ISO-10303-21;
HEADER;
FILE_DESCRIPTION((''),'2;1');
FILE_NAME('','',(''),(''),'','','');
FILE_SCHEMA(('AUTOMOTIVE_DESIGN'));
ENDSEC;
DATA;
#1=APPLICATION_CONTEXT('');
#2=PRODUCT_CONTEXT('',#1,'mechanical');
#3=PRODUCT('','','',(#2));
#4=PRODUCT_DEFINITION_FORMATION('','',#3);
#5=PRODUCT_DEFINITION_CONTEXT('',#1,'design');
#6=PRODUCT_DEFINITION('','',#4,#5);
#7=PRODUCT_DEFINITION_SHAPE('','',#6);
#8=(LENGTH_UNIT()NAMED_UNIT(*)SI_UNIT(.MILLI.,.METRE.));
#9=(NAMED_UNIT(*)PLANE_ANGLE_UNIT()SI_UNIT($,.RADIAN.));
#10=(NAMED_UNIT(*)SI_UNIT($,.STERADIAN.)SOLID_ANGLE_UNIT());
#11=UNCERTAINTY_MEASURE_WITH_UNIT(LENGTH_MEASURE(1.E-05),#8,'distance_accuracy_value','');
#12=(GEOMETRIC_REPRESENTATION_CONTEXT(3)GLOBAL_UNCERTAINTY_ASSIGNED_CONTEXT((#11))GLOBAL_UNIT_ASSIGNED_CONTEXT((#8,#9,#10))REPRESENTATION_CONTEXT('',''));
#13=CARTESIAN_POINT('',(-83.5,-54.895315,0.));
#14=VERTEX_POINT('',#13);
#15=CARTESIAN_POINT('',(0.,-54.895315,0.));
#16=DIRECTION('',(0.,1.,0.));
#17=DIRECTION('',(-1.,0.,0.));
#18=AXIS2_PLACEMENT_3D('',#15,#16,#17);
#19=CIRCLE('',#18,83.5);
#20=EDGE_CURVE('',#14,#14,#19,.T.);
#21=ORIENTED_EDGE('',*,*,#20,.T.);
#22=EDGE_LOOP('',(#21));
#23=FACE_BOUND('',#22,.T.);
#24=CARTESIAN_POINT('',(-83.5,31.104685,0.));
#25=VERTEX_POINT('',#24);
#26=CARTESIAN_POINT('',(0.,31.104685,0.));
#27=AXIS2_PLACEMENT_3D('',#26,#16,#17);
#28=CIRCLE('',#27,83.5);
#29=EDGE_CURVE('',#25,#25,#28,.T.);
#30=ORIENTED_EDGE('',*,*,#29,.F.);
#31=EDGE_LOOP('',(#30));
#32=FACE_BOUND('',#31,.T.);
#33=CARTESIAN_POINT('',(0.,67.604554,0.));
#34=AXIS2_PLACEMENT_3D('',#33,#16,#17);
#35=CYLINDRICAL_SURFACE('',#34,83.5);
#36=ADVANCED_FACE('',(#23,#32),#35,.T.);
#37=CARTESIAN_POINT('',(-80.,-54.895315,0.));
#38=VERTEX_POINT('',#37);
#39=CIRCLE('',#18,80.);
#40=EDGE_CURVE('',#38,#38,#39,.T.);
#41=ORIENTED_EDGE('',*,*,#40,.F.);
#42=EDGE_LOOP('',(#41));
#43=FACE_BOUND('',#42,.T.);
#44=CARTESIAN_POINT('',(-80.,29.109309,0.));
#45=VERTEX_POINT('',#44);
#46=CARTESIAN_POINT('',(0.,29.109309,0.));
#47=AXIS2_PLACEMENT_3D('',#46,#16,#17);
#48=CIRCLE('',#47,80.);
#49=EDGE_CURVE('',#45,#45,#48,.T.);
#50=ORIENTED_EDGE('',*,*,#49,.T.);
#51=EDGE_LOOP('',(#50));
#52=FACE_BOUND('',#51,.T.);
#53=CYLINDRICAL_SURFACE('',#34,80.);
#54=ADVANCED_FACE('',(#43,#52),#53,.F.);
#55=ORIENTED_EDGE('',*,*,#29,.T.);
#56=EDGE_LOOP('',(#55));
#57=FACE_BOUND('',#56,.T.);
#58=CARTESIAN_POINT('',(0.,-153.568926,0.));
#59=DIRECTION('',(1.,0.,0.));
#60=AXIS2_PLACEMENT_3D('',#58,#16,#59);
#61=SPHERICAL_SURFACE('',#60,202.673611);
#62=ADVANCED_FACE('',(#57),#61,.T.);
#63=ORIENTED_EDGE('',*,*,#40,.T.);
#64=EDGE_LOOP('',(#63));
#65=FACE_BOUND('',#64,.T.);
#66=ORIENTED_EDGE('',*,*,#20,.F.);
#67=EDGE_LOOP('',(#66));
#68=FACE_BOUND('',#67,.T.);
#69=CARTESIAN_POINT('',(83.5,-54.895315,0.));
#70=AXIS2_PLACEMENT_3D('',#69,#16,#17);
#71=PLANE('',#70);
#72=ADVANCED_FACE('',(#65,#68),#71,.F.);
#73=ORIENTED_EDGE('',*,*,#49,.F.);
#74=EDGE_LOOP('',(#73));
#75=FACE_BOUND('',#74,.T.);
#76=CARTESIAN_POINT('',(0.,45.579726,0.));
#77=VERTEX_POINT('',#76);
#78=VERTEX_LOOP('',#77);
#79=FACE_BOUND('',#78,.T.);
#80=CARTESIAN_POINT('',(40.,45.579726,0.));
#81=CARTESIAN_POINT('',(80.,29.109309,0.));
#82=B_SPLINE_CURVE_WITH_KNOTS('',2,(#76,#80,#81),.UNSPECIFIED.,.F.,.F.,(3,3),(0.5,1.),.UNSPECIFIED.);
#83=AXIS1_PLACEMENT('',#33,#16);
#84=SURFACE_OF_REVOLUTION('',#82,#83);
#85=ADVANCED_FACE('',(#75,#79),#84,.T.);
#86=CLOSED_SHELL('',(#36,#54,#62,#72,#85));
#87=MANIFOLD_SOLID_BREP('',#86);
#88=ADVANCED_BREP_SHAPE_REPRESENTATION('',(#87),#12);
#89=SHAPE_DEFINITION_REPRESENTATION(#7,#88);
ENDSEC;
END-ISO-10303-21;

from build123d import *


with BuildPart() as part:
    # Sketch2 → Revolve2 (revolve)
    with BuildSketch(Plane.XY, mode=Mode.PRIVATE) as revolve2_sk:
        with BuildLine():
            Line((83.5, -54.895315199), (83.5, 31.104684801))
            ThreePointArc((83.5, 31.104684801), (42.70904471, 44.553586648), (0, 49.104684801))
            Line((0, 49.104684801), (0, 49.079725779))
            Line((0, 49.079725779), (0, 45.579725779))
            add(Edge.make_bspline(
                [(0, 45.579725779), (40, 45.579725779), (80, 29.109308571)],
                knots=[0.5, 0.5, 0.5, 1, 1, 1], degree=2))
            Line((80, 29.109308571), (80, -54.895315199))
            Line((80, -54.895315199), (83.5, -54.895315199))
        make_face()
    revolve(revolve2_sk.sketch.rotate(Axis((0, 67.604553962, 0), (0, -1, 0)), 180), axis=Axis((0, 67.604553962, 0), (0, -1, 0)))


solid = part.part
